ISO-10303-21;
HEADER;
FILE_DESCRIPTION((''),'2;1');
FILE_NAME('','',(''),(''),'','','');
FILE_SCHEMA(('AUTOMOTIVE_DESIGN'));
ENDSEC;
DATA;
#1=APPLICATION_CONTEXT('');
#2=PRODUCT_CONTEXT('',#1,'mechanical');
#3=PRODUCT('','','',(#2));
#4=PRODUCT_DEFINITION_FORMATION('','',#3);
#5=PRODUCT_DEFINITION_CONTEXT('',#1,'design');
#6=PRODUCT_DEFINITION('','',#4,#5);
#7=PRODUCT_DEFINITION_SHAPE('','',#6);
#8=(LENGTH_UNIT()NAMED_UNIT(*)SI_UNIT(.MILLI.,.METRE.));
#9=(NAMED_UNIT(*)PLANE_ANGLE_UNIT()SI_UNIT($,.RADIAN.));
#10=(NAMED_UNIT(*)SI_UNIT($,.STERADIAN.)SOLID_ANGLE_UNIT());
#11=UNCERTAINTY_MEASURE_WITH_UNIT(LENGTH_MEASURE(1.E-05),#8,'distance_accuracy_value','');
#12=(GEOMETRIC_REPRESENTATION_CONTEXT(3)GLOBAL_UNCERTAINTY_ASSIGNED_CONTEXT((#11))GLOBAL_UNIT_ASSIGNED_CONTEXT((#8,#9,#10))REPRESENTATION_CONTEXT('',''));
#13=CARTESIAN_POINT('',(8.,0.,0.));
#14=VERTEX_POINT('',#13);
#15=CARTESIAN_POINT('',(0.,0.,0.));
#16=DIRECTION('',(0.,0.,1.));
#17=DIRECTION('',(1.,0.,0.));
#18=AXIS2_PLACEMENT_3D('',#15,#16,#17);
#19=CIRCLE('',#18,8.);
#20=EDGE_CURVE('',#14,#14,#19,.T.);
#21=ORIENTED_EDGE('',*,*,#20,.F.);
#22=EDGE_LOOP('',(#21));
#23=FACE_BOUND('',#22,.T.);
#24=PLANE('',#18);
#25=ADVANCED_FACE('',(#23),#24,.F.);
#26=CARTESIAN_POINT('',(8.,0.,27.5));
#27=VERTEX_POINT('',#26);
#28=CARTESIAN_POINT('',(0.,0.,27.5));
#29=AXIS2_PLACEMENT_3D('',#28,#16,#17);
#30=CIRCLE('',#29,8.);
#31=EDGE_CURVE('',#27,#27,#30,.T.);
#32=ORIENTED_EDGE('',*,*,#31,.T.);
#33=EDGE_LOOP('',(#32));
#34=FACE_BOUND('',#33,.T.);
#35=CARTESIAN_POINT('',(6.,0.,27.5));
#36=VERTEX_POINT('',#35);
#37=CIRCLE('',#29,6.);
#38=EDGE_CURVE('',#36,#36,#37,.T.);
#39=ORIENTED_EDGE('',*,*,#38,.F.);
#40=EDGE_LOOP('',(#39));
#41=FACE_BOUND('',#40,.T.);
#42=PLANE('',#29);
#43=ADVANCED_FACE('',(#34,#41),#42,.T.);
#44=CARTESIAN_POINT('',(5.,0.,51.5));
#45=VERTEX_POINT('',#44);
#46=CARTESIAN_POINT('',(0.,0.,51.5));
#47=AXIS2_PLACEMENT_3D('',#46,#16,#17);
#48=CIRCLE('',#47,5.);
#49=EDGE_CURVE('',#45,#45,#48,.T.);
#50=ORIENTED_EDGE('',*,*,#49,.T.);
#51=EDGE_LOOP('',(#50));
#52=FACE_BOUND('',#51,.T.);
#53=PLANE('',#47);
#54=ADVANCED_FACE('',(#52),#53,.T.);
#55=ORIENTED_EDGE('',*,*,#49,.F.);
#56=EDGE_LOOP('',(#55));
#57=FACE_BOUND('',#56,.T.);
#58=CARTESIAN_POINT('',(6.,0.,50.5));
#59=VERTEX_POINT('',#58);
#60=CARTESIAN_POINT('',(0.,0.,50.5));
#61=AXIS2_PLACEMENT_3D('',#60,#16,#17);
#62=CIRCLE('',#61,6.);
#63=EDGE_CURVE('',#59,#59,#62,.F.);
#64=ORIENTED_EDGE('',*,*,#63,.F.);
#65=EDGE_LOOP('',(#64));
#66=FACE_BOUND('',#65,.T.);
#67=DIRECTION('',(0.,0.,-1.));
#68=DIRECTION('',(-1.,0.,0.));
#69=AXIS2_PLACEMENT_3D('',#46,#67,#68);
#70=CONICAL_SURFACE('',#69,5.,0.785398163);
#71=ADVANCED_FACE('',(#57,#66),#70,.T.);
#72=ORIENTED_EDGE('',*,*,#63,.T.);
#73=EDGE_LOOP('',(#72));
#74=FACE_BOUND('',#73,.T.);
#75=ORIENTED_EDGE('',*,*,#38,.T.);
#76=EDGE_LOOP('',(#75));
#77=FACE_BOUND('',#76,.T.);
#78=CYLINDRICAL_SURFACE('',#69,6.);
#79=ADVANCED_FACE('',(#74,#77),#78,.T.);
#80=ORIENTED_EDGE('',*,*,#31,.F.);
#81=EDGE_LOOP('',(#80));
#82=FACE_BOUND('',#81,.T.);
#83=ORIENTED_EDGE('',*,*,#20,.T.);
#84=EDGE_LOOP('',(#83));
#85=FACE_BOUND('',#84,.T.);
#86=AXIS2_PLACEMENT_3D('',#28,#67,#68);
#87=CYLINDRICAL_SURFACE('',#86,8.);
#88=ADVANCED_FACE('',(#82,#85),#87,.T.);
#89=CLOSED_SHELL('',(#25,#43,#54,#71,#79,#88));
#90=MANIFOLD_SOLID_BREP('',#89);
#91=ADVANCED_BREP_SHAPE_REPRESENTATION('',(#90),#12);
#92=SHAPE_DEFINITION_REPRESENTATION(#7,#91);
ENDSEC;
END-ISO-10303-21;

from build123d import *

# Parameters (mm, degrees)
CROQUIS1_R              = 8
SALIENTE_EXTRUIR1_DEPTH = 27.5
CROQUIS2_R              = 6
SALIENTE_EXTRUIR2_DEPTH = 24
CHAFL_N1_SIZE           = 1


with BuildPart() as part:
    # Croquis1 → Saliente-Extruir1 (new body)
    with BuildSketch(Plane.XY):
        Circle(CROQUIS1_R)
    extrude(amount=SALIENTE_EXTRUIR1_DEPTH)

    # Croquis2 → Saliente-Extruir2 (add)
    with BuildSketch(Plane.XY.offset(27.5)):
        Circle(CROQUIS2_R)
    extrude(amount=SALIENTE_EXTRUIR2_DEPTH)

    # Chaflán1
    chafl_n1_edges = [part.edges().sort_by_distance(p)[0] for p in [
        (-6, 0, 51.5),
    ]]
    chamfer(chafl_n1_edges, length=CHAFL_N1_SIZE)


solid = part.part
